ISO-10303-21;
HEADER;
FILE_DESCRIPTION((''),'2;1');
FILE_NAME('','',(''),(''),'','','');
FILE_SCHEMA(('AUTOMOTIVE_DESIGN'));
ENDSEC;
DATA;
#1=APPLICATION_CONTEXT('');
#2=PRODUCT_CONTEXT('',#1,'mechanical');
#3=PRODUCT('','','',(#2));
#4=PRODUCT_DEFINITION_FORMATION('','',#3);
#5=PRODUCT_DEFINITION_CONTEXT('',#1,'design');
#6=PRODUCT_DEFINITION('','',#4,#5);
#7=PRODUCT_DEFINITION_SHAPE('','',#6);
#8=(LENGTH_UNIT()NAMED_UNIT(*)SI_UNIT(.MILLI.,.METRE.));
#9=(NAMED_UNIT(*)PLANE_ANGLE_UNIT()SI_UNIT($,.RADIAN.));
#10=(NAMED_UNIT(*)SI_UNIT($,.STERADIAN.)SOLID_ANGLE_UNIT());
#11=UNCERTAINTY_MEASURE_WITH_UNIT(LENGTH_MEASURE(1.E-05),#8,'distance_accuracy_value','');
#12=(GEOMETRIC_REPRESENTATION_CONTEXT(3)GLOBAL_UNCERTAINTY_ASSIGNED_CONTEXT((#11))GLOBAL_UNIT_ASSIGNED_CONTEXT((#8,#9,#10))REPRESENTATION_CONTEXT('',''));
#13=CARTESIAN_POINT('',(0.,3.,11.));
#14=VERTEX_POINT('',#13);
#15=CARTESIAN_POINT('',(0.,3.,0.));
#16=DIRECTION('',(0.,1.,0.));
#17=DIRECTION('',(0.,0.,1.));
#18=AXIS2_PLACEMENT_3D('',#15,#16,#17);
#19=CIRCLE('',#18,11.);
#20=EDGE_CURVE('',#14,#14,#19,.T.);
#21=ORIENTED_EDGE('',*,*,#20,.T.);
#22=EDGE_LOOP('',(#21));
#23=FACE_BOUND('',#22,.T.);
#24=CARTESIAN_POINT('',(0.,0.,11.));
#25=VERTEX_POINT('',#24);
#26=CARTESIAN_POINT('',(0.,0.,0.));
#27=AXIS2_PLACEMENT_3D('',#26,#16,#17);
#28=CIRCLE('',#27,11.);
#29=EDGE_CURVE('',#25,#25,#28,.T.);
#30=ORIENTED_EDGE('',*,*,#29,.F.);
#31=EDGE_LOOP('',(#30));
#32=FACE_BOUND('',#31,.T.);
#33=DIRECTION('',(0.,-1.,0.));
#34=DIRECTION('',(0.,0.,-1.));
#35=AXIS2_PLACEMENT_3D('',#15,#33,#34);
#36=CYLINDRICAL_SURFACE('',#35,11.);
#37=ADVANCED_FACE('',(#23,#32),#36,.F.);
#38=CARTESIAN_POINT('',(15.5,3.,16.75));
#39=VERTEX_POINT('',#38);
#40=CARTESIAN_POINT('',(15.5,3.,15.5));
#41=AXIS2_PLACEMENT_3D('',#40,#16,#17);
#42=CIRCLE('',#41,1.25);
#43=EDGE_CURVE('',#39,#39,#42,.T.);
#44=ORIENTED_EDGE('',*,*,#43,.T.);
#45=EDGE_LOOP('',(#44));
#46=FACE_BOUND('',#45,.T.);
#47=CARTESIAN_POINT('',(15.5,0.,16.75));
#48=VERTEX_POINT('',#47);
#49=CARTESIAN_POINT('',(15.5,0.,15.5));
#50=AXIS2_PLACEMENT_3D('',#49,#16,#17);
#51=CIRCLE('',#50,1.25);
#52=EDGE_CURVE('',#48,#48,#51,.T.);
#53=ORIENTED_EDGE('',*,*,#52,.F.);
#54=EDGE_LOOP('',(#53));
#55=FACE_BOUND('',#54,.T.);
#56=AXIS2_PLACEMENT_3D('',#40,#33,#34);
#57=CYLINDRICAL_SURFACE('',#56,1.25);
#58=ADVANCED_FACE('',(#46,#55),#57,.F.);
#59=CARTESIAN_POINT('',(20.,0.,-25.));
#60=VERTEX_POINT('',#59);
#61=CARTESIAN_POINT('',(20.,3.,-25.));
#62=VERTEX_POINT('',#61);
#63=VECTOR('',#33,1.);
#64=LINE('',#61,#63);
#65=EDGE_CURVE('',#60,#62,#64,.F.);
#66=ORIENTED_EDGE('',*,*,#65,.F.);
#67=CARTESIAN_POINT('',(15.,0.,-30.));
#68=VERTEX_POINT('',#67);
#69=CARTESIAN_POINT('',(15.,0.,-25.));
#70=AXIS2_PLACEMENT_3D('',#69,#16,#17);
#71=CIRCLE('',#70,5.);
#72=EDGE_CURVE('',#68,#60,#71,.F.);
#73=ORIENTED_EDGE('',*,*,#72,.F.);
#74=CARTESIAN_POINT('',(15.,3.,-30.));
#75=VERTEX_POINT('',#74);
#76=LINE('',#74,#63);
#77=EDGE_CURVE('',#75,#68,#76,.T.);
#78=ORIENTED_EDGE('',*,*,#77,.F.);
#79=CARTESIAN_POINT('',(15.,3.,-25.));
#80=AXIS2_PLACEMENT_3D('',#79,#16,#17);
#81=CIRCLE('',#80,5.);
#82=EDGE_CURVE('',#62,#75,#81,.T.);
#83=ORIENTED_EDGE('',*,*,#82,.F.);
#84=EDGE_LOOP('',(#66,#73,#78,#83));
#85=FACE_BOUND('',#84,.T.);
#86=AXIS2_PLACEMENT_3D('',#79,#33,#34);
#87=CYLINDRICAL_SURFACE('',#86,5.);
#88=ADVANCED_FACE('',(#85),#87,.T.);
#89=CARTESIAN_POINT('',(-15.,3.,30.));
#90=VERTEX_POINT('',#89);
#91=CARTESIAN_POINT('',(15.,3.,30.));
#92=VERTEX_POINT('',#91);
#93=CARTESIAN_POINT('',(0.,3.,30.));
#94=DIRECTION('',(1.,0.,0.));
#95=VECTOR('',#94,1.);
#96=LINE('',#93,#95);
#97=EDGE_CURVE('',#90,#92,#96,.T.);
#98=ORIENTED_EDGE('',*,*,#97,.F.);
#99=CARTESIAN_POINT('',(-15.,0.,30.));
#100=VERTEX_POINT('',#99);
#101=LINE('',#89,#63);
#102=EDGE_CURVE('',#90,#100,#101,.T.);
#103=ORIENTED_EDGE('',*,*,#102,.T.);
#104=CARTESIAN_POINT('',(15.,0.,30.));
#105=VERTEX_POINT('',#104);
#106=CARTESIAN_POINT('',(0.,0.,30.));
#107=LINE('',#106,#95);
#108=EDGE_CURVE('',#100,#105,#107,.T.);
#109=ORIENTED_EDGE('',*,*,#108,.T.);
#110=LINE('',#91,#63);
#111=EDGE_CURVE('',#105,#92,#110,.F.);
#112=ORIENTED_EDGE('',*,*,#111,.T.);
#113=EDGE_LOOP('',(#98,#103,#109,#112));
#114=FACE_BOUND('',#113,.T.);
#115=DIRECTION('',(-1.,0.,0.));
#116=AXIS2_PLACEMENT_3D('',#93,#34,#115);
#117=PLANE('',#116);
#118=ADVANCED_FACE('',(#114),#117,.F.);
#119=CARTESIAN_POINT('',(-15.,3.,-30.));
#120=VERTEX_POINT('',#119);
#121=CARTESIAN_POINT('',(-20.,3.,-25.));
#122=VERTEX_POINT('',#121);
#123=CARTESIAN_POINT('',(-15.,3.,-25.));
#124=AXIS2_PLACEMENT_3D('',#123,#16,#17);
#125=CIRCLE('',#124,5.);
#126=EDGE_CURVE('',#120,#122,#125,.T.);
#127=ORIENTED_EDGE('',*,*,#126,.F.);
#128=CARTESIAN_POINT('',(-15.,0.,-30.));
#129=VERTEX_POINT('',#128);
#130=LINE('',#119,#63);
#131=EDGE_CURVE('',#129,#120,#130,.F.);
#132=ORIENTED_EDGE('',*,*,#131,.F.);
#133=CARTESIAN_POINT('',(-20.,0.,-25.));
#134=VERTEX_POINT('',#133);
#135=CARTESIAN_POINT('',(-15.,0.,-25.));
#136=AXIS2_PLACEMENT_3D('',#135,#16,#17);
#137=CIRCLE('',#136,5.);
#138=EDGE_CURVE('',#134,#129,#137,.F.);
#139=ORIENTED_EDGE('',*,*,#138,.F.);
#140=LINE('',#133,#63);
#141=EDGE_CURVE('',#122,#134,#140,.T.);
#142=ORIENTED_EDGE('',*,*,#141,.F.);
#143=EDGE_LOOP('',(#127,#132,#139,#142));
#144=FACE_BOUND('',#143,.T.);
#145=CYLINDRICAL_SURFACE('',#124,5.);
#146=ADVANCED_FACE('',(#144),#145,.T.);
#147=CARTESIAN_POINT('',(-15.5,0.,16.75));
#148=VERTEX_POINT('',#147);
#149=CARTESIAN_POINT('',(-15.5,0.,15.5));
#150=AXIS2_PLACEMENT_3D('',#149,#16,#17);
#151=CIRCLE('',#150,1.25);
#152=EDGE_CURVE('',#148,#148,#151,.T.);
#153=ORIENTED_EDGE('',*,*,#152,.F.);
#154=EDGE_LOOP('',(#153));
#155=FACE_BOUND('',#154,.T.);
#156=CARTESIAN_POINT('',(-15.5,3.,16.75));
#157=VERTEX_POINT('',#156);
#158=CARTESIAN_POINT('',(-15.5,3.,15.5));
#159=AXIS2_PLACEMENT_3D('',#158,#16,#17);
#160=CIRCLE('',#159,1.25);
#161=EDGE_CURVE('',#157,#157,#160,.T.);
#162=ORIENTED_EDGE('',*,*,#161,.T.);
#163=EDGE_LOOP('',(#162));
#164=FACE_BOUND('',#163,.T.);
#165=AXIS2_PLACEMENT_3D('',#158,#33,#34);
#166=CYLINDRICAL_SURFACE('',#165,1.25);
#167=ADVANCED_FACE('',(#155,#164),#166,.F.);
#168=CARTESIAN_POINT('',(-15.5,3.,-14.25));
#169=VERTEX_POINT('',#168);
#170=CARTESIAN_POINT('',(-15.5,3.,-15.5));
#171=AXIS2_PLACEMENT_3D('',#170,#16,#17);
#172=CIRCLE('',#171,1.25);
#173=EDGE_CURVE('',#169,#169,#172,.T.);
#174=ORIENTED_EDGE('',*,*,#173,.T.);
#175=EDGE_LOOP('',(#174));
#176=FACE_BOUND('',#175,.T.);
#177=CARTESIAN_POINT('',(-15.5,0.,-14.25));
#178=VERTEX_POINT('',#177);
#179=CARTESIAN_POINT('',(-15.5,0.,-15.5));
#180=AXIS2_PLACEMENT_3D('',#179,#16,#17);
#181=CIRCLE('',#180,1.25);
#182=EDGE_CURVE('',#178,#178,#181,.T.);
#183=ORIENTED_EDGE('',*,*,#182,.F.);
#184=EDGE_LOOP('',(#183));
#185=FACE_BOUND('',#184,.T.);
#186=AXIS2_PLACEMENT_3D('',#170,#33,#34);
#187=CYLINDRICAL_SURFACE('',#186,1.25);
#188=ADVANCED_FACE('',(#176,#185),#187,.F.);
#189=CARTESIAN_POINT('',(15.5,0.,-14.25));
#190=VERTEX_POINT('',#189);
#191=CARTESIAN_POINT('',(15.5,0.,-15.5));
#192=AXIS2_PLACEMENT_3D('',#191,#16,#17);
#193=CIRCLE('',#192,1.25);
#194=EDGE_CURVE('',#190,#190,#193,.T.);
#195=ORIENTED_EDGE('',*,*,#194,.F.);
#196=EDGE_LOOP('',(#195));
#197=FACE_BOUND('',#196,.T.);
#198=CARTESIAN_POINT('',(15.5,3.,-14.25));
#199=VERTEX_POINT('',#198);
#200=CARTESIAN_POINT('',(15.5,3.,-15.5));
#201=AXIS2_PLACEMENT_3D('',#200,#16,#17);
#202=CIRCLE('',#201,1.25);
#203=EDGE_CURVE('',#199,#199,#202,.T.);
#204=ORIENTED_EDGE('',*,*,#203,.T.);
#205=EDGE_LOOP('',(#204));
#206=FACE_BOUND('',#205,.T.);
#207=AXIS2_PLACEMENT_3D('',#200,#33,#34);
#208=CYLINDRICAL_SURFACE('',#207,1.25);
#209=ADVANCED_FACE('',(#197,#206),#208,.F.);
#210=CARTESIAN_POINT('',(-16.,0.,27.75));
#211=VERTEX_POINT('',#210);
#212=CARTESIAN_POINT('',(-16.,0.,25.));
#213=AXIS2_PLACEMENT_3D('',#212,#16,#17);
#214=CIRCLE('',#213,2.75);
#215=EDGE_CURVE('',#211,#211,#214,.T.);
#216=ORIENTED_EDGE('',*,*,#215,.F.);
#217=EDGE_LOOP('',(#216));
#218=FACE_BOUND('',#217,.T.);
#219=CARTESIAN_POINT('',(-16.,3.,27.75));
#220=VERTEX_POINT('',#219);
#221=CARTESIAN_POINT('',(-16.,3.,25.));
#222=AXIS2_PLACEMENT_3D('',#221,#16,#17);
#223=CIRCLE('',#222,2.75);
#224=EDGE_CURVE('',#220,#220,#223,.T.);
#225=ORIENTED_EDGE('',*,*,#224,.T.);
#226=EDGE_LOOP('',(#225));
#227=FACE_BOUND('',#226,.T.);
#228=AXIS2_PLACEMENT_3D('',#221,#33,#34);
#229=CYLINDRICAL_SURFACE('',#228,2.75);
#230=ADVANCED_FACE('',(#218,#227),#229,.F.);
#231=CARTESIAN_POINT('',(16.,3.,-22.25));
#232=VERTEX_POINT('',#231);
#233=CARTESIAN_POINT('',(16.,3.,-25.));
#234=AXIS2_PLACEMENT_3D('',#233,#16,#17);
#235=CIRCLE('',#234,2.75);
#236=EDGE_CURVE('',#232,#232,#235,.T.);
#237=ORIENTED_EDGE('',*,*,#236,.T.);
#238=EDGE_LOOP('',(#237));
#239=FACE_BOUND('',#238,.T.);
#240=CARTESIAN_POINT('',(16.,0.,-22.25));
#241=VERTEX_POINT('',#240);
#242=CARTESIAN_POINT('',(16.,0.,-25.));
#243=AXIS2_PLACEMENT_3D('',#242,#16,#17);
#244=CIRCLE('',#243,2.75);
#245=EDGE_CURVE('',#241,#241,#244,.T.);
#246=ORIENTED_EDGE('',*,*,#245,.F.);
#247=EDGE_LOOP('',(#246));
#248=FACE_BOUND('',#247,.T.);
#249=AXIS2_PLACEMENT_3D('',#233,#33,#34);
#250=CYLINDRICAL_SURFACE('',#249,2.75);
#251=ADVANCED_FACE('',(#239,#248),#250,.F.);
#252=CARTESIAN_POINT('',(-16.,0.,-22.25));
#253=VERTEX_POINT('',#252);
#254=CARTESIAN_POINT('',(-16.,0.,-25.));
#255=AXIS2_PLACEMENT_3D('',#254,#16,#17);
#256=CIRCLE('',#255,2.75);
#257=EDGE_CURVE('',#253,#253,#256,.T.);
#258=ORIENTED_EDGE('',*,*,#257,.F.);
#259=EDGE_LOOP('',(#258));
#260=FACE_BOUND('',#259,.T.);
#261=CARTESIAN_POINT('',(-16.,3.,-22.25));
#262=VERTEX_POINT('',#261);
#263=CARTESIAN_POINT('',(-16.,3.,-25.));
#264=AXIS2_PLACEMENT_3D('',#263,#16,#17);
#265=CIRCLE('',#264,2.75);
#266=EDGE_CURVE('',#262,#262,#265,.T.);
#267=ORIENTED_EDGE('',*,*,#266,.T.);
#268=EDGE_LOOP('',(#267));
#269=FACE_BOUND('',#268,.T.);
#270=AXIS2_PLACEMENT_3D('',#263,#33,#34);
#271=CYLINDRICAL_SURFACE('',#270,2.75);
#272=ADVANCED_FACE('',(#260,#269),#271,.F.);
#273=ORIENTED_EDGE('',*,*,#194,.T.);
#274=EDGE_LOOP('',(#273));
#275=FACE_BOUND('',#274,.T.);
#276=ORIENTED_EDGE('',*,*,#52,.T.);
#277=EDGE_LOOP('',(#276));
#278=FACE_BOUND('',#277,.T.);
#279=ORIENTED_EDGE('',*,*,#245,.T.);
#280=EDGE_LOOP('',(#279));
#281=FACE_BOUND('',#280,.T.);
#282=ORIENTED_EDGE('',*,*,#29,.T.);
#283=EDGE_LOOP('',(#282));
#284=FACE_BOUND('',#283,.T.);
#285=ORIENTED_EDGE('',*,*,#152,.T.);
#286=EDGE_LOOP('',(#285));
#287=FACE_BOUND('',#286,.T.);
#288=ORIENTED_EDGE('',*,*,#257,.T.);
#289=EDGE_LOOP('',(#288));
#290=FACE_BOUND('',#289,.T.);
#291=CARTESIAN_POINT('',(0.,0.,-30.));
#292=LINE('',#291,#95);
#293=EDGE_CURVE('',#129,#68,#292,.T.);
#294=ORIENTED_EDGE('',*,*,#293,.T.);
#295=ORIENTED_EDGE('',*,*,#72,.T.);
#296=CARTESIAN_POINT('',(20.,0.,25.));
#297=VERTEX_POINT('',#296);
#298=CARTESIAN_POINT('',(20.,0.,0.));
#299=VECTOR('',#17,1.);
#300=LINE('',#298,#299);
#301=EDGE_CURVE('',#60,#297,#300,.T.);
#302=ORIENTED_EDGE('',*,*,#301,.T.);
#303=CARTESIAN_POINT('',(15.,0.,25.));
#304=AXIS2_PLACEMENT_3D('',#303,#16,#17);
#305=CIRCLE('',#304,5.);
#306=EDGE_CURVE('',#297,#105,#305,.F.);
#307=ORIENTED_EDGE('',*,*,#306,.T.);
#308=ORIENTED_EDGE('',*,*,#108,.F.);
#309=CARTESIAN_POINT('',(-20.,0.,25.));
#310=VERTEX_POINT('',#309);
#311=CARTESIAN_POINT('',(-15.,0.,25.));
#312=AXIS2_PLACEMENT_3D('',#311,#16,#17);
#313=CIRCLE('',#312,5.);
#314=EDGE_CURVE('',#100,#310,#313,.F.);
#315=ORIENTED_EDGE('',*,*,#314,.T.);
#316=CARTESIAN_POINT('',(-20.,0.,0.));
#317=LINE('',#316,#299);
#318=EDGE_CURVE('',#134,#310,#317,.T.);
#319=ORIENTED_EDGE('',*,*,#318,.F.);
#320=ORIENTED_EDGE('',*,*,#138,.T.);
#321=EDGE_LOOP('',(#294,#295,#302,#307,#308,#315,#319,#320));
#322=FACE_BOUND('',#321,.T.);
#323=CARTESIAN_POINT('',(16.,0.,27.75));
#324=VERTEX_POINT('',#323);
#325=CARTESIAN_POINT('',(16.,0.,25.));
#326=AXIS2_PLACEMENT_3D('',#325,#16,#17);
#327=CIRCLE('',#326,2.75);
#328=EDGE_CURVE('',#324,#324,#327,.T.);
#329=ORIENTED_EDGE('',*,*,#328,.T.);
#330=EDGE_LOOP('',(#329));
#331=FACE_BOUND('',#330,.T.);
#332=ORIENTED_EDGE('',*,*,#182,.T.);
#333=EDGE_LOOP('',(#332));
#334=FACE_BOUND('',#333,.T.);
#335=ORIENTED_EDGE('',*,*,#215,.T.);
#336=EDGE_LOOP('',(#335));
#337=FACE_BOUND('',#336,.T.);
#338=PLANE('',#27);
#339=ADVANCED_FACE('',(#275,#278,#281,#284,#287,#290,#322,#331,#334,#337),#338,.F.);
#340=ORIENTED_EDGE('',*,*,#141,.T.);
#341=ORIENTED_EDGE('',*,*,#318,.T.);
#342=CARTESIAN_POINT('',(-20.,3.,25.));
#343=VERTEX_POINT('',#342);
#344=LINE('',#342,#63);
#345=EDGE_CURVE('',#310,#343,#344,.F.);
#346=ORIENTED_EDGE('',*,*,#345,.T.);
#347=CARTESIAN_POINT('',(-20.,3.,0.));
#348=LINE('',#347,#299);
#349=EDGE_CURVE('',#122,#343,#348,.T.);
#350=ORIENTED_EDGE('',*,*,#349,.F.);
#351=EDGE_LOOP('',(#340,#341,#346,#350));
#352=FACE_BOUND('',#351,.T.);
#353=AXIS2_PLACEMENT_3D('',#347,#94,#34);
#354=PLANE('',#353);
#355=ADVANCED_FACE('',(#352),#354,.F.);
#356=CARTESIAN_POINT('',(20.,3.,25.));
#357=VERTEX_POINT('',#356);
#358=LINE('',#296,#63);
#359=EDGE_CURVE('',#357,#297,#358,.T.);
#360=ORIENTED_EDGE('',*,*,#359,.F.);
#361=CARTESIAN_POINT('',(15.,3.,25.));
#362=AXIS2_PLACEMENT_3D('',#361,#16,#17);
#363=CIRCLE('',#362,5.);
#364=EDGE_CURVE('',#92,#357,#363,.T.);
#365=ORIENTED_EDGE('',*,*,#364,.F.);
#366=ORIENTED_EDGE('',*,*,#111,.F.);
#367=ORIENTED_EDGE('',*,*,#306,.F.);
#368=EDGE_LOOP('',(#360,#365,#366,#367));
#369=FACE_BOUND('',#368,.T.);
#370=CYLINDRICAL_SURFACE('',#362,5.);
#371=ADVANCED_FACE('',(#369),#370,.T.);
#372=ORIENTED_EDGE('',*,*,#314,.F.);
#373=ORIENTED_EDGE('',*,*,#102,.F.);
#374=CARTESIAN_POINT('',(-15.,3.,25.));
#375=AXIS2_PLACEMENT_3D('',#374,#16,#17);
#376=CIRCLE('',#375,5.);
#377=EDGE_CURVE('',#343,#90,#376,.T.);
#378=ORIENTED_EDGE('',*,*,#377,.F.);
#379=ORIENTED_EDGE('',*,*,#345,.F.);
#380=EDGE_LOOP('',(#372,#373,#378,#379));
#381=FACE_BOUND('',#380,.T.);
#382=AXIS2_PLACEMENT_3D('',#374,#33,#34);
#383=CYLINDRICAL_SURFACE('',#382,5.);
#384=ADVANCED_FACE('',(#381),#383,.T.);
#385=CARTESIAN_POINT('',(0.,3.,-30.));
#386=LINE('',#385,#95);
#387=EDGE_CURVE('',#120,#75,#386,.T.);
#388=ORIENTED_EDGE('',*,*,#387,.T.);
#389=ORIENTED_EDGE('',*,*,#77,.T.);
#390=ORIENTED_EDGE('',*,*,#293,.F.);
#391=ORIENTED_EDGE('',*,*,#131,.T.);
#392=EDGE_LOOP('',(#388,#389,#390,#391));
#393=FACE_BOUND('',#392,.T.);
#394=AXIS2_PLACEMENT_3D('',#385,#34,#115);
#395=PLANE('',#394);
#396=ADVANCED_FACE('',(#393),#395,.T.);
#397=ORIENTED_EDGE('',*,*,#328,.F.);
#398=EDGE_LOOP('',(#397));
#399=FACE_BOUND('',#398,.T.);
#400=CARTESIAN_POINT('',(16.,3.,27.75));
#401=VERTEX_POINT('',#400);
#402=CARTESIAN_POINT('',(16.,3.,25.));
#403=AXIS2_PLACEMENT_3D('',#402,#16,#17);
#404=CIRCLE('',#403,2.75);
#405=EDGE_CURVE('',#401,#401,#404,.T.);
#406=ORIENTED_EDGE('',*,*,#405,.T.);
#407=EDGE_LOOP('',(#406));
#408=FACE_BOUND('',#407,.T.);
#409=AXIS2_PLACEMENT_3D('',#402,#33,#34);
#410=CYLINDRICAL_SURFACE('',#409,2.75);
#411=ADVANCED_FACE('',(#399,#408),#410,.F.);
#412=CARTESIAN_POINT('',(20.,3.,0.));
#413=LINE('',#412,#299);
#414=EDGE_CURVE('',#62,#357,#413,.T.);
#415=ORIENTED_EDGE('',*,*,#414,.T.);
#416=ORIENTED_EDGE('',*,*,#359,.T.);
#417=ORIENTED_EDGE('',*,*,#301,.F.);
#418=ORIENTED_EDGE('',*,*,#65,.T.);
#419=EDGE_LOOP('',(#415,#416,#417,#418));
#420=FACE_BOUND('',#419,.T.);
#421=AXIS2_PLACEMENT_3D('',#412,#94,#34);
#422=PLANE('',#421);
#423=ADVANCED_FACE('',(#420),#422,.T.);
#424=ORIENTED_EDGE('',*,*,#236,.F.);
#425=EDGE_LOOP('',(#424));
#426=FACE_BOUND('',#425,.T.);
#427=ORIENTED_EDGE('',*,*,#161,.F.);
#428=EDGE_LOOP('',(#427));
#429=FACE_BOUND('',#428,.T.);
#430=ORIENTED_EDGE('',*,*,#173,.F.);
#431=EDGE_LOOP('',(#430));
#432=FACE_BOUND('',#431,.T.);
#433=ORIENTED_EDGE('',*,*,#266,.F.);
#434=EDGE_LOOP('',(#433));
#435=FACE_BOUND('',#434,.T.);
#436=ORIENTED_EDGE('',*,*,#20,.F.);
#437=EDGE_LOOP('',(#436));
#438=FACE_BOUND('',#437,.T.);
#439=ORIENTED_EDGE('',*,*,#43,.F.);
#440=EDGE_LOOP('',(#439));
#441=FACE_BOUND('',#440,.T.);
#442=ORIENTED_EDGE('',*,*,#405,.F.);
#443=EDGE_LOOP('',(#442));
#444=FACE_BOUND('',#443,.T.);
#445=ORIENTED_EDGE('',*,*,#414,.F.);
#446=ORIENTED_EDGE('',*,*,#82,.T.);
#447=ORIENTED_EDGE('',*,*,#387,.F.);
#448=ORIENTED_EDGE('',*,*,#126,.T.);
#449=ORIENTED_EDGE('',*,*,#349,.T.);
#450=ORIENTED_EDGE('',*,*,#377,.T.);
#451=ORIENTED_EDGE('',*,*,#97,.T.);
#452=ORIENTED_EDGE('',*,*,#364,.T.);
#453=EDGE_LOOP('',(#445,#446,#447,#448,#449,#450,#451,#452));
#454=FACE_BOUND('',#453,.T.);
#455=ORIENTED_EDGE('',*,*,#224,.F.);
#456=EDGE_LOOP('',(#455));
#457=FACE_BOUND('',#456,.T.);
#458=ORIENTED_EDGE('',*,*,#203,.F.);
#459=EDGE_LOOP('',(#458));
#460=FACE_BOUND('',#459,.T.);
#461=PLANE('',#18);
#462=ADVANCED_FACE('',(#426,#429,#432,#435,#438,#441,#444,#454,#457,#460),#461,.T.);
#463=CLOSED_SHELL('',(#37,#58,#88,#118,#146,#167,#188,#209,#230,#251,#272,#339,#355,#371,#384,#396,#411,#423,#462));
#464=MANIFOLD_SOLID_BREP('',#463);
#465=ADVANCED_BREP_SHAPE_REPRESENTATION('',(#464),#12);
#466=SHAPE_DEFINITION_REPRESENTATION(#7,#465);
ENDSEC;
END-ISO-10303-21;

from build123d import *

# Parameters (mm, degrees)
SKETCH1_W           = 40
SKETCH1_H           = 60
SKETCH1_R           = 2.75
SKETCH1_R_2         = 1.25
SKETCH1_R_3         = 11
SKETCH1_R_4         = 4
BOSS_EXTRUDE1_DEPTH = 3
FILLET1_R           = 5


with BuildPart() as part:
    # Sketch1 → Boss-Extrude1 (new body)
    # profile 1 of 3: a face of its own
    with BuildSketch(Plane(origin=(0, 0, 0), x_dir=(1, 0, 0), z_dir=(0, 1, 0))):
        Rectangle(SKETCH1_W, SKETCH1_H)
        with Locations(Location((16, -25, 0), (0, 0, 270))):
            Circle(SKETCH1_R, mode=Mode.SUBTRACT)
        with Locations(Location((-16, -25, 0), (0, 0, 270))):
            Circle(SKETCH1_R, mode=Mode.SUBTRACT)
        with Locations(Location((16, 25, 0), (0, 0, 270))):
            Circle(SKETCH1_R, mode=Mode.SUBTRACT)
        with Locations(Location((-16, 25, 0), (0, 0, 270))):
            Circle(SKETCH1_R, mode=Mode.SUBTRACT)
        with Locations(Location((15.5, -15.5, 0), (0, 0, 270))):
            Circle(SKETCH1_R_2, mode=Mode.SUBTRACT)
        with Locations(Location((15.5, 15.5, 0), (0, 0, 270))):
            Circle(SKETCH1_R_2, mode=Mode.SUBTRACT)
        with Locations(Location((-15.5, 15.5, 0), (0, 0, 270))):
            Circle(SKETCH1_R_2, mode=Mode.SUBTRACT)
        with Locations(Location((-15.5, -15.5, 0), (0, 0, 270))):
            Circle(SKETCH1_R_2, mode=Mode.SUBTRACT)
        with Locations(Location((0, 0, 0), (0, 0, 270))):
            Circle(SKETCH1_R_3, mode=Mode.SUBTRACT)
        with Locations((0, 25)):
            Circle(SKETCH1_R_4, mode=Mode.SUBTRACT)
        with Locations((0, -25)):
            Circle(SKETCH1_R_4, mode=Mode.SUBTRACT)
    # profile 2 of 3: a face of its own
    with BuildSketch(Plane(origin=(0, 0, 0), x_dir=(1, 0, 0), z_dir=(0, 1, 0))):
        with Locations((0, 25)):
            Circle(SKETCH1_R_4)
    # profile 3 of 3: a face of its own
    with BuildSketch(Plane(origin=(0, 0, 0), x_dir=(1, 0, 0), z_dir=(0, 1, 0))):
        with Locations((0, -25)):
            Circle(SKETCH1_R_4)
    extrude(amount=BOSS_EXTRUDE1_DEPTH)

    # Fillet1
    fillet1_edges = [part.edges().sort_by_distance(p)[0] for p in [
        (20, 1.5, 30),
        (-20, 1.5, 30),
        (-20, 1.5, -30),
        (20, 1.5, -30),
    ]]
    fillet(fillet1_edges, radius=FILLET1_R)


solid = part.part
